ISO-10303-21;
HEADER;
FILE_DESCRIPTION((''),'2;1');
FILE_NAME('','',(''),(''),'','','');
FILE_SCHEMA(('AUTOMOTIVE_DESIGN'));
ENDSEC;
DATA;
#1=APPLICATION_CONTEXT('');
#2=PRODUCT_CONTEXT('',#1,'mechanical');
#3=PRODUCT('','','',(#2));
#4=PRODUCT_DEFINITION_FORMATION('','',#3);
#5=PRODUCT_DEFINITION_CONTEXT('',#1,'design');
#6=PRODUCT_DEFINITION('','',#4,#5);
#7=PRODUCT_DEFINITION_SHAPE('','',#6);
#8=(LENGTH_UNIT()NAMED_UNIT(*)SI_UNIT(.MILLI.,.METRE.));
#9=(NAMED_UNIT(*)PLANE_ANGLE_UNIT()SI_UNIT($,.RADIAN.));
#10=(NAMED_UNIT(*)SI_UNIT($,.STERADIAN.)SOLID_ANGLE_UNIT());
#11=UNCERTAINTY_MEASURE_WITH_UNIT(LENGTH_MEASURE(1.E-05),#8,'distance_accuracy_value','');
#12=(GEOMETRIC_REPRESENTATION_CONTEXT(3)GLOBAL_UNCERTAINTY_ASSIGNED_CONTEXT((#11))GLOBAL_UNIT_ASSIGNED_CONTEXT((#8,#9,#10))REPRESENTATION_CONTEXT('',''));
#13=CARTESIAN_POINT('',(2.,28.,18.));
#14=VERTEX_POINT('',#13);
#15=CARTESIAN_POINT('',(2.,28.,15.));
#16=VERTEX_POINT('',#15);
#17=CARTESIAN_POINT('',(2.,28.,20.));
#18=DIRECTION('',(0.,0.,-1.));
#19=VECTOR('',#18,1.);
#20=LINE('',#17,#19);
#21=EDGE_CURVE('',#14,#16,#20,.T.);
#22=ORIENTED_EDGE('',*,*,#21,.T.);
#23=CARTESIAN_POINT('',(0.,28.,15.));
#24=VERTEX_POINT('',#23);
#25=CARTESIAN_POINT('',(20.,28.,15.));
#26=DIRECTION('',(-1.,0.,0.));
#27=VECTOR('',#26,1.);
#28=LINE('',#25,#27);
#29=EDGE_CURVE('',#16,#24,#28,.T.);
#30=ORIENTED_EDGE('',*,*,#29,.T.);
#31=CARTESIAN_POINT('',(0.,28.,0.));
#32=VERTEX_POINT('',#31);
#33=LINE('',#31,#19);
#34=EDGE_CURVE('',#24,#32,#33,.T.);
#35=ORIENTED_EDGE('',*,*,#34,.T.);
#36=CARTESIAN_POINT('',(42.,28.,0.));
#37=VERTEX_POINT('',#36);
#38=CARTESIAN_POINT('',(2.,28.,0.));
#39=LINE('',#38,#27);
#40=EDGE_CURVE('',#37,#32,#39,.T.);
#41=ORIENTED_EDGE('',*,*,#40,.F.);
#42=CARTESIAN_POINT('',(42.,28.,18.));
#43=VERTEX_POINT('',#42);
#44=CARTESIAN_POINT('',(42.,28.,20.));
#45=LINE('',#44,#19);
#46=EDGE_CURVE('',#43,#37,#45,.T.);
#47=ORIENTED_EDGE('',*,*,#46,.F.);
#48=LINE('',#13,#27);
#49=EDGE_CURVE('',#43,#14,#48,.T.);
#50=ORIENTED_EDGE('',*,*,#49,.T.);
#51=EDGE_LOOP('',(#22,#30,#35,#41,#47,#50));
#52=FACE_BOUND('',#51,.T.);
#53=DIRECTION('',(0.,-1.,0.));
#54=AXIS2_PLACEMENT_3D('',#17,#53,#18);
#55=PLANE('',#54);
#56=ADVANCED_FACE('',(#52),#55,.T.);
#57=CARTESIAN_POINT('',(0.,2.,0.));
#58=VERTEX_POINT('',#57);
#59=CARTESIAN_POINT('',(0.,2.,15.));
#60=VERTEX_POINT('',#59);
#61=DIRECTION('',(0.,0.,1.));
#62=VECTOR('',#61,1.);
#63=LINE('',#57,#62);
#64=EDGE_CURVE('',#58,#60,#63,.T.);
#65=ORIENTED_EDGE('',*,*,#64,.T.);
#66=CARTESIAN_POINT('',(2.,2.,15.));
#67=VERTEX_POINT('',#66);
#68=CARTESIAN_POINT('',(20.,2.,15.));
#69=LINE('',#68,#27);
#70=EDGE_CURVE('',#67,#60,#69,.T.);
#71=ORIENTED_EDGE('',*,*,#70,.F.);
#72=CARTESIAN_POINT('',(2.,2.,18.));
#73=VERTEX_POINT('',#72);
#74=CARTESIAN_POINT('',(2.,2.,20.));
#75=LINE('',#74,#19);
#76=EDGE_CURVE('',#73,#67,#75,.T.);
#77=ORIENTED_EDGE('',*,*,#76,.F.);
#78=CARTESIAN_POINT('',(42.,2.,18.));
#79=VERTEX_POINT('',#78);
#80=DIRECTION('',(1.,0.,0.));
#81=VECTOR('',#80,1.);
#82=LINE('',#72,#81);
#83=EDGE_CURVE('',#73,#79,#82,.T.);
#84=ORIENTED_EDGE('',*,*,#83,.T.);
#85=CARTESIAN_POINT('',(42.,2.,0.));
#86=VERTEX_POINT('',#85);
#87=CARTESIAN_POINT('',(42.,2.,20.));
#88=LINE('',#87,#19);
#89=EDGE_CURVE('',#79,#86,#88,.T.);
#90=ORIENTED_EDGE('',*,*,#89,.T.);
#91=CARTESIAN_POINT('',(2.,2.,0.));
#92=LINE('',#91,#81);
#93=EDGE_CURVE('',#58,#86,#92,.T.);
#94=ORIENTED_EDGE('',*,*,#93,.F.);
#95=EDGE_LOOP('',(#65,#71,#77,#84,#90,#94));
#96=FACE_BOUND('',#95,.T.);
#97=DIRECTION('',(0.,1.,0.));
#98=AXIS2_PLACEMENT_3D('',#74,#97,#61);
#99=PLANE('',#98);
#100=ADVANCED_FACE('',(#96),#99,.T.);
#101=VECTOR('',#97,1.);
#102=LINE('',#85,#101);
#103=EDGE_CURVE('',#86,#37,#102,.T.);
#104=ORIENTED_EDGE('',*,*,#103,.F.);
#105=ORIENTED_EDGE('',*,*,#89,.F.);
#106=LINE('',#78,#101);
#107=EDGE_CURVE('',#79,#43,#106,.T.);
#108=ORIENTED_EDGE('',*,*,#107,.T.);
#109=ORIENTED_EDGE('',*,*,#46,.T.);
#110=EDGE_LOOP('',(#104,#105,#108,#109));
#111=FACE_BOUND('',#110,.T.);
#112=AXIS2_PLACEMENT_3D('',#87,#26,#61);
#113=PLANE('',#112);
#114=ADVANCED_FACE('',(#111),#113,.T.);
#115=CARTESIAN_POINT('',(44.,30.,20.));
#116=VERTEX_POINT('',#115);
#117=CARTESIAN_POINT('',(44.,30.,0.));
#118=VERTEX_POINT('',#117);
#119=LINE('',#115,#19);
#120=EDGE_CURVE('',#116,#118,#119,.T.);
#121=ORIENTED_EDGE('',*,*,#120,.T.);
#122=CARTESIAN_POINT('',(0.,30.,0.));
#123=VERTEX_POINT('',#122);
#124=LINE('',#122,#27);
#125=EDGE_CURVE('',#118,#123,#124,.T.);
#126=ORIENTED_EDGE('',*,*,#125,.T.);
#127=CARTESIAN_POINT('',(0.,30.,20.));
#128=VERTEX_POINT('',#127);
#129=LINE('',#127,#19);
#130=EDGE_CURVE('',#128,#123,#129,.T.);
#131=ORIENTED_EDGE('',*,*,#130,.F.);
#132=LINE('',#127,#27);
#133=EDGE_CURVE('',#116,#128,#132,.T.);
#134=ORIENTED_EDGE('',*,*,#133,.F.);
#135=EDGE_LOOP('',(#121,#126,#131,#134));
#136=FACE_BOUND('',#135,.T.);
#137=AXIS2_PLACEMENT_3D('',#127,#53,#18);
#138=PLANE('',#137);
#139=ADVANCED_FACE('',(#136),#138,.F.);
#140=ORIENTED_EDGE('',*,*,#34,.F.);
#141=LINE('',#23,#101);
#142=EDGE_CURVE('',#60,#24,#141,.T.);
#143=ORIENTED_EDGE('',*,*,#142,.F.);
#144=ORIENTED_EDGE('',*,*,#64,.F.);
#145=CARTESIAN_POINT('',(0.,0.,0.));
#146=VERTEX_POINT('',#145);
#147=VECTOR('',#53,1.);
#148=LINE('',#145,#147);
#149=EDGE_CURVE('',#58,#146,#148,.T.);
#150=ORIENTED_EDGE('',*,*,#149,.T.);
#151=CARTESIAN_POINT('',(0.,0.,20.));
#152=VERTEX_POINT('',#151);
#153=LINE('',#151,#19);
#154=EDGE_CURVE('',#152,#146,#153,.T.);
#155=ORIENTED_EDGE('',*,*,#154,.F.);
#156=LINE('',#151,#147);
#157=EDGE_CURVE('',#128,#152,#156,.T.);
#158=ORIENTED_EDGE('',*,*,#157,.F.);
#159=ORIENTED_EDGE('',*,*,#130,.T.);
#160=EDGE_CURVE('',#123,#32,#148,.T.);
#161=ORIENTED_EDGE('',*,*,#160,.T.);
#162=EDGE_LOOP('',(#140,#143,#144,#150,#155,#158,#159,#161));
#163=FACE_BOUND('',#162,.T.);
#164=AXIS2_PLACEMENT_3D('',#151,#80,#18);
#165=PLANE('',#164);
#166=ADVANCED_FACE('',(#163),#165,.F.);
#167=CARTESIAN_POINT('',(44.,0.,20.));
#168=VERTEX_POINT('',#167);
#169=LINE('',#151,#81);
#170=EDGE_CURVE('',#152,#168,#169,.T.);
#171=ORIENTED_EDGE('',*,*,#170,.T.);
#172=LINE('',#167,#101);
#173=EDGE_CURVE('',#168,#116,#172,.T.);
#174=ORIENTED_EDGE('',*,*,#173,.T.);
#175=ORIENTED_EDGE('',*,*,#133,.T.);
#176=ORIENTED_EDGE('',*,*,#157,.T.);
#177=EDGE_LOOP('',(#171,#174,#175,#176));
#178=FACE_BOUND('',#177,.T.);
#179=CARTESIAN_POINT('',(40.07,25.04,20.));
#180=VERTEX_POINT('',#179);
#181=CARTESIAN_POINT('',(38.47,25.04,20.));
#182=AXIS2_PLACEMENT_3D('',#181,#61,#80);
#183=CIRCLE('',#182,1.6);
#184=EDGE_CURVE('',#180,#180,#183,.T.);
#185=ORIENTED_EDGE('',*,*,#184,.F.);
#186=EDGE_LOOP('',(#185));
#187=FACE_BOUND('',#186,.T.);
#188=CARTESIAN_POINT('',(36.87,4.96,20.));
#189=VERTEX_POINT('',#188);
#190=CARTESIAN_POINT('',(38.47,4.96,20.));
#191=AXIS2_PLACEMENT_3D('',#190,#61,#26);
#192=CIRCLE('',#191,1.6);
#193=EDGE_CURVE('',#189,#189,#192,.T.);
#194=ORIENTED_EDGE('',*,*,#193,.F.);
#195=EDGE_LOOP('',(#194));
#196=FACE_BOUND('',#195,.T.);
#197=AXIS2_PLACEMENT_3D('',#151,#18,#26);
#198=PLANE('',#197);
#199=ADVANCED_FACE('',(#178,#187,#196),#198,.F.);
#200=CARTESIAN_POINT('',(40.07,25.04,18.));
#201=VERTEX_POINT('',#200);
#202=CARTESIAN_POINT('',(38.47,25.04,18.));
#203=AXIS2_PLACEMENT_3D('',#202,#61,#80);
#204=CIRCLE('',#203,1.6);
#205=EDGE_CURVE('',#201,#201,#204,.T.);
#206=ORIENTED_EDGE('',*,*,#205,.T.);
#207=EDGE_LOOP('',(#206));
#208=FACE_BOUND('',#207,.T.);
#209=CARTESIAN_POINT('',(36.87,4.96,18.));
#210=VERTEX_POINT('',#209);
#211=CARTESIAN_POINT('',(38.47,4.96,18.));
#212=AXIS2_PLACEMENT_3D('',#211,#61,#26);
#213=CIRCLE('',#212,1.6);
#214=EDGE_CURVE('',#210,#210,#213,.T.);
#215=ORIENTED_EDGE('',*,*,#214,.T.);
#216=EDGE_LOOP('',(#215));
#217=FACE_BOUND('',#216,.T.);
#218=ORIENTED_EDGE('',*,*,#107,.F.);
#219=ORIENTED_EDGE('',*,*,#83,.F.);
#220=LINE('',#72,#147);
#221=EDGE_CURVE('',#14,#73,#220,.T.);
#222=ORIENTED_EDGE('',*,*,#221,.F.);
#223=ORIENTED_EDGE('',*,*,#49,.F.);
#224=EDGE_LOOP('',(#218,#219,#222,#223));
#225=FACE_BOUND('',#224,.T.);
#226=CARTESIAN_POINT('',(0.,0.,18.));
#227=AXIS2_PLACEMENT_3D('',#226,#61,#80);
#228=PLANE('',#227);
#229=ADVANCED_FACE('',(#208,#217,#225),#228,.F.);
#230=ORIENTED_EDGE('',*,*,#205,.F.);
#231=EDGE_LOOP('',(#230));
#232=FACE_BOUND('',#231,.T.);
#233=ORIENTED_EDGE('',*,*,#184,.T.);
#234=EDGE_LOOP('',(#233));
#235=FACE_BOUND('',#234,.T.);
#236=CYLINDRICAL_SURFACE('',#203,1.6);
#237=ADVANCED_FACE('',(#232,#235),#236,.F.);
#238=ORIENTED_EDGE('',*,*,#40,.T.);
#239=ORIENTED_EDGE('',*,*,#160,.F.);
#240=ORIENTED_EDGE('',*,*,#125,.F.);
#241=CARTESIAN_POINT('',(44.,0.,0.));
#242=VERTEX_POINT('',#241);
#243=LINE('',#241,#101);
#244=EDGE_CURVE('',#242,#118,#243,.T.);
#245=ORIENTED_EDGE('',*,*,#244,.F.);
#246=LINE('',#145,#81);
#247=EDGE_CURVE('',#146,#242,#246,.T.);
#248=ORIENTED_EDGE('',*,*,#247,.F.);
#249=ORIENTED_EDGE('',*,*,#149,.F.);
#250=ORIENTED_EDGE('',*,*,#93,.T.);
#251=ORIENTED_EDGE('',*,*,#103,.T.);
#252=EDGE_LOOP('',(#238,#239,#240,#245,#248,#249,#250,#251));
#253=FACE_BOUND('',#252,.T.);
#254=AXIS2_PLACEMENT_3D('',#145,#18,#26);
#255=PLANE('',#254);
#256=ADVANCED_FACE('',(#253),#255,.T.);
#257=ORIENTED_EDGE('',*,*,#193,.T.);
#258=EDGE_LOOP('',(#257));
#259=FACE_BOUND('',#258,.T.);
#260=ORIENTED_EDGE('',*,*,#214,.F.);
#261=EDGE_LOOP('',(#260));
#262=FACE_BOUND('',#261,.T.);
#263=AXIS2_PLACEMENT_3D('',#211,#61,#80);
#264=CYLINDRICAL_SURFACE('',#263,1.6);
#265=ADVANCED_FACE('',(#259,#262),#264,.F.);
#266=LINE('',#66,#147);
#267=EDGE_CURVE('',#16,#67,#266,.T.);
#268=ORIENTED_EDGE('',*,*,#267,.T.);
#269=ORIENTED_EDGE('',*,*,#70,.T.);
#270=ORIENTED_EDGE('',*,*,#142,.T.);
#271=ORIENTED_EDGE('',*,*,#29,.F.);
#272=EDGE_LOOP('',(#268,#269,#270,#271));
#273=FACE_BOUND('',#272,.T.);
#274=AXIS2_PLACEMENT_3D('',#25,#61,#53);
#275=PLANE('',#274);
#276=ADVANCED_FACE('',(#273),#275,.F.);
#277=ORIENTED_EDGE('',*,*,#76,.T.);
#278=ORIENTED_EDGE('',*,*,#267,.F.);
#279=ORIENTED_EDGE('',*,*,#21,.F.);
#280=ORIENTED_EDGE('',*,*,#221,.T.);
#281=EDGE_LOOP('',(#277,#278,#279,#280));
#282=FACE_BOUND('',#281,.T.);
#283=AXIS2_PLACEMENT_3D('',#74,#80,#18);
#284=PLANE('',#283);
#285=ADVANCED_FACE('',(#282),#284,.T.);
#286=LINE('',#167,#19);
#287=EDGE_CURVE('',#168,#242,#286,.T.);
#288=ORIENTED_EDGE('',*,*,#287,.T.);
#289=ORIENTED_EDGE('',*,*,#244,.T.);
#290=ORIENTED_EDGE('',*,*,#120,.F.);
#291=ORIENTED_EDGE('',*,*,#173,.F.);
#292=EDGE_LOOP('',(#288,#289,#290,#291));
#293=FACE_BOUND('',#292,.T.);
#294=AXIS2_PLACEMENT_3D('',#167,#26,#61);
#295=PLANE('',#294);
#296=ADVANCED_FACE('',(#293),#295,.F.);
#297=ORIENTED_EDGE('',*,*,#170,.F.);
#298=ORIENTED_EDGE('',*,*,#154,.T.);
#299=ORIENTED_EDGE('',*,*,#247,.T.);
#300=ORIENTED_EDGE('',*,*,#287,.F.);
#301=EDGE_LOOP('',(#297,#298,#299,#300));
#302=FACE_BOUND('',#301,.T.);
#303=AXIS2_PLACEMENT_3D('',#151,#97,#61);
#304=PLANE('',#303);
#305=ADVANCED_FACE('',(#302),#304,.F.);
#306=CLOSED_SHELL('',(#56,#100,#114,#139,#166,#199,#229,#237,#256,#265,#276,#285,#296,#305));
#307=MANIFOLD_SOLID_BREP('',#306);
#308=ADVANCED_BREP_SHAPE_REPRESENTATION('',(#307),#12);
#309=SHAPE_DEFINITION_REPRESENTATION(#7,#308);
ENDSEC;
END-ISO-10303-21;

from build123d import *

# Parameters (mm, degrees)
ESBO_O1_W                = 44
ESBO_O1_H                = 30
ESBO_O1_W_2              = 40
ESBO_O1_H_2              = 26
RESSALTO_EXTRUS_O1_DEPTH = 20
ESBO_O3_W                = 15
ESBO_O3_H                = 26
CORTE_EXTRUS_O1_DEPTH    = 20
ESBO_O4_W                = 44
ESBO_O4_H                = 30
RESSALTO_EXTRUS_O2_DEPTH = 2
ESBO_O5_R                = 1.6
CORTE_EXTRUS_O2_DEPTH    = 2


with BuildPart() as part:
    # Esboço1 → Ressalto-extrusão1 (new body)
    with BuildSketch(Plane.XY):
        with Locations((22, 15)):
            Rectangle(ESBO_O1_W, ESBO_O1_H)
        with Locations((22, 15)):
            Rectangle(ESBO_O1_W_2, ESBO_O1_H_2, mode=Mode.SUBTRACT)
    extrude(amount=RESSALTO_EXTRUS_O1_DEPTH)

    # Esboço3 → Corte-extrusão1 (cut)
    with BuildSketch(Plane.ZY):
        with Locations((7.5, 15)):
            Rectangle(ESBO_O3_W, ESBO_O3_H)
    extrude(amount=-CORTE_EXTRUS_O1_DEPTH, mode=Mode.SUBTRACT)

    # Esboço4 → Ressalto-extrusão2 (add)
    with BuildSketch(Plane.XY.offset(20)):
        with Locations((22, 15)):
            Rectangle(ESBO_O4_W, ESBO_O4_H)
    extrude(amount=-RESSALTO_EXTRUS_O2_DEPTH)

    # Esboço5 → Corte-extrusão2 (cut)
    with BuildSketch(Plane.XY.offset(20)):
        with Locations((38.47, 25.04)):
            Circle(ESBO_O5_R)
        with Locations(Location((38.47, 4.96, 0), (0, 0, 180))):
            Circle(ESBO_O5_R)
    extrude(amount=-CORTE_EXTRUS_O2_DEPTH, mode=Mode.SUBTRACT)


solid = part.part
